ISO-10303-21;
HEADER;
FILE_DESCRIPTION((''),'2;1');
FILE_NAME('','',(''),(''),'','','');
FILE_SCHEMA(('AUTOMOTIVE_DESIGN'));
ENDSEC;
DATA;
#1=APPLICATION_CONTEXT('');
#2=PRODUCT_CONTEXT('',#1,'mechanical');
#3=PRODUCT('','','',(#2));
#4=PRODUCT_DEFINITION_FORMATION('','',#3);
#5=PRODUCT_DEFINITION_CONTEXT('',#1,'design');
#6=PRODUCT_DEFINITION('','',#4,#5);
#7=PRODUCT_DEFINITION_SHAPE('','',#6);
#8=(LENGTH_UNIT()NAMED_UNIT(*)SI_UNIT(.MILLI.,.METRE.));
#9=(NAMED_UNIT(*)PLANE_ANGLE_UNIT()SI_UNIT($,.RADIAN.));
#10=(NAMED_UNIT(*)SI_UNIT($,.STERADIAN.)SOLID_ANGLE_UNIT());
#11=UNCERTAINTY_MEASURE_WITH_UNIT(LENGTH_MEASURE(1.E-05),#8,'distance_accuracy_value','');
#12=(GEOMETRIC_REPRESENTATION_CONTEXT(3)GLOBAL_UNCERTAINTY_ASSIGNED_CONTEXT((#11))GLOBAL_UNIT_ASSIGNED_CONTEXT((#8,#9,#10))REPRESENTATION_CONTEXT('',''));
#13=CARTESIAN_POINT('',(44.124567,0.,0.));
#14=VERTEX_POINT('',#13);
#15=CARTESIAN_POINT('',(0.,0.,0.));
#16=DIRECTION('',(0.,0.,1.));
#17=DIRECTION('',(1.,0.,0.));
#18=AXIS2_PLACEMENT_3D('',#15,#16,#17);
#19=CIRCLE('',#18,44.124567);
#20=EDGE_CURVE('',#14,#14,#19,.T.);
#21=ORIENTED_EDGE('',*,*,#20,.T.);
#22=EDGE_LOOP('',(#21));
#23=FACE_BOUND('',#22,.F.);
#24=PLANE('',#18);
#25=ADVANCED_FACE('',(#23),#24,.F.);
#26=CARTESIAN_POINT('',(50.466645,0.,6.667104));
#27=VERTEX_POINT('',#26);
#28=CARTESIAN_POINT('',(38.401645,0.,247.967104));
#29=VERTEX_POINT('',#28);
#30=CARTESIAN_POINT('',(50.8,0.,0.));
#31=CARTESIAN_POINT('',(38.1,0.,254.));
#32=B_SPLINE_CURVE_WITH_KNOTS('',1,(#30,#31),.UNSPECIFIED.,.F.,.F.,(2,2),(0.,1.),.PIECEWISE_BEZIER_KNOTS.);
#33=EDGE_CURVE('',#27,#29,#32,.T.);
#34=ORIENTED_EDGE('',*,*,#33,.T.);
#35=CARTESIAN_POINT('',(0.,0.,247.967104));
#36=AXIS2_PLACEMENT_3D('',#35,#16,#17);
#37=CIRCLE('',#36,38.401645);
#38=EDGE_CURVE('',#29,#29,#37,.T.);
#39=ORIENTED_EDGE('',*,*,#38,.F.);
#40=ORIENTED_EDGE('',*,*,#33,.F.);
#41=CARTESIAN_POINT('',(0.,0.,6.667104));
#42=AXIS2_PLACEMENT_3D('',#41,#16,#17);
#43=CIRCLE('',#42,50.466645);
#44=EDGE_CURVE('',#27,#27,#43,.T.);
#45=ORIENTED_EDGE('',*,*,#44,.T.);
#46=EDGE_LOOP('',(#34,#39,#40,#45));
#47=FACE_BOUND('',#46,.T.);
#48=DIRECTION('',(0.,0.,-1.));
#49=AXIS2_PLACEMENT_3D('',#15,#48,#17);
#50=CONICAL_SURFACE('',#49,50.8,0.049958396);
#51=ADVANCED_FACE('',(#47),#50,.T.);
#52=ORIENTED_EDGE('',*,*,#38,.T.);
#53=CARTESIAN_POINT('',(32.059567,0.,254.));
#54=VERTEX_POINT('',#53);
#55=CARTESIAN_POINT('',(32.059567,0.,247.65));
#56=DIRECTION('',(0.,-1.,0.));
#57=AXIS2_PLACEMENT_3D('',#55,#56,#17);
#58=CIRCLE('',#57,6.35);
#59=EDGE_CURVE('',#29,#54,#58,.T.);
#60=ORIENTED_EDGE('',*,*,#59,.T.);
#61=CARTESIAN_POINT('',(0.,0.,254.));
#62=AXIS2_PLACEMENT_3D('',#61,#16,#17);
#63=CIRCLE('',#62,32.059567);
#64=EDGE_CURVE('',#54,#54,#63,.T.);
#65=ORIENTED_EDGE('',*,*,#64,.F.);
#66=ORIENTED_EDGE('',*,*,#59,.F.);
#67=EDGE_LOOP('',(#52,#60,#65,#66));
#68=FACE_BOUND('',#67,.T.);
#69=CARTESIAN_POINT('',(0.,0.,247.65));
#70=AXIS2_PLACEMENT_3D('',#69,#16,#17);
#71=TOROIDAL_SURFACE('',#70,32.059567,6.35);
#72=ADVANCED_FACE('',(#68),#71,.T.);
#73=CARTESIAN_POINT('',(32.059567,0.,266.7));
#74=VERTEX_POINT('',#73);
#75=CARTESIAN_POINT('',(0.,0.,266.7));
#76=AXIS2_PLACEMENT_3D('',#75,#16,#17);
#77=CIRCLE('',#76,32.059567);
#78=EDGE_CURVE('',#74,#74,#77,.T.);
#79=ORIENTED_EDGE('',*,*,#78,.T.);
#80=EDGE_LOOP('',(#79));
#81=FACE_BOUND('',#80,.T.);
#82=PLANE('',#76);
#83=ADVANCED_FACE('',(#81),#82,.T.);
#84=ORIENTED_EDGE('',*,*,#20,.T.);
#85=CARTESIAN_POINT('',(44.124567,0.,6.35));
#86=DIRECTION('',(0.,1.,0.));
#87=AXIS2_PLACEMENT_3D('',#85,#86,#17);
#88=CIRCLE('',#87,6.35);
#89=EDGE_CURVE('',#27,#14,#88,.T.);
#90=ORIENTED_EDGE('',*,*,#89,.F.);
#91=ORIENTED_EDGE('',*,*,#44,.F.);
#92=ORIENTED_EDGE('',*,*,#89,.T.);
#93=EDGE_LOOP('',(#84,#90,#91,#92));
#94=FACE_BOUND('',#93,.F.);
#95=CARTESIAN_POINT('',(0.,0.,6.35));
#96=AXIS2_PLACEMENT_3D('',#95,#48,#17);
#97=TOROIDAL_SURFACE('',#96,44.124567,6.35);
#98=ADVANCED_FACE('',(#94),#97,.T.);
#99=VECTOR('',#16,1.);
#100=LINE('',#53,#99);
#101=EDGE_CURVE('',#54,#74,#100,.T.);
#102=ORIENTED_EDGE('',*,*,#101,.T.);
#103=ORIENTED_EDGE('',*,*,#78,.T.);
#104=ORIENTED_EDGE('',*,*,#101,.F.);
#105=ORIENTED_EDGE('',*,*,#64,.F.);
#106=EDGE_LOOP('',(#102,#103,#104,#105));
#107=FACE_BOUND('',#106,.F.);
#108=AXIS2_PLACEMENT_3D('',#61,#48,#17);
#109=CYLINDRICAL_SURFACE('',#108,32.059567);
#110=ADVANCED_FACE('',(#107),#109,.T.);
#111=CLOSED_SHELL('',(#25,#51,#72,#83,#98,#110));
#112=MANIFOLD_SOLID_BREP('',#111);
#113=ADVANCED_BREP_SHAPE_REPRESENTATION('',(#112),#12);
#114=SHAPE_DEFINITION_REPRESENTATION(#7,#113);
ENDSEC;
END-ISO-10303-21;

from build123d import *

# Parameters (mm, degrees)
F0_R     = 50.8
F2_R     = 38.1
F4_R     = 6.35
F5_DEPTH = 12.7


with BuildPart() as f3:
    # F0 (on Top) → F3 section 0
    with BuildSketch(Plane.XY):
        Circle(F0_R)
    # F2 (on offset) → F3 section 1
    with BuildSketch(Plane.XY.offset(254)):
        Circle(F2_R)
    loft()

    # F4
    f4_edges = [f3.edges().sort_by_distance(p)[0] for p in [
        (-50.8, 0, 0),
        (44.45, 0, 127),
        (-38.1, 0, 254),
    ]]
    fillet(f4_edges, radius=F4_R)

    # F5 (add): a face of the model
    f5_faces = [f3.faces().sort_by_distance(p)[0] for p in [
        (0, 0, 254),
    ]]
    extrude(f5_faces, amount=F5_DEPTH)


solid = f3.part
